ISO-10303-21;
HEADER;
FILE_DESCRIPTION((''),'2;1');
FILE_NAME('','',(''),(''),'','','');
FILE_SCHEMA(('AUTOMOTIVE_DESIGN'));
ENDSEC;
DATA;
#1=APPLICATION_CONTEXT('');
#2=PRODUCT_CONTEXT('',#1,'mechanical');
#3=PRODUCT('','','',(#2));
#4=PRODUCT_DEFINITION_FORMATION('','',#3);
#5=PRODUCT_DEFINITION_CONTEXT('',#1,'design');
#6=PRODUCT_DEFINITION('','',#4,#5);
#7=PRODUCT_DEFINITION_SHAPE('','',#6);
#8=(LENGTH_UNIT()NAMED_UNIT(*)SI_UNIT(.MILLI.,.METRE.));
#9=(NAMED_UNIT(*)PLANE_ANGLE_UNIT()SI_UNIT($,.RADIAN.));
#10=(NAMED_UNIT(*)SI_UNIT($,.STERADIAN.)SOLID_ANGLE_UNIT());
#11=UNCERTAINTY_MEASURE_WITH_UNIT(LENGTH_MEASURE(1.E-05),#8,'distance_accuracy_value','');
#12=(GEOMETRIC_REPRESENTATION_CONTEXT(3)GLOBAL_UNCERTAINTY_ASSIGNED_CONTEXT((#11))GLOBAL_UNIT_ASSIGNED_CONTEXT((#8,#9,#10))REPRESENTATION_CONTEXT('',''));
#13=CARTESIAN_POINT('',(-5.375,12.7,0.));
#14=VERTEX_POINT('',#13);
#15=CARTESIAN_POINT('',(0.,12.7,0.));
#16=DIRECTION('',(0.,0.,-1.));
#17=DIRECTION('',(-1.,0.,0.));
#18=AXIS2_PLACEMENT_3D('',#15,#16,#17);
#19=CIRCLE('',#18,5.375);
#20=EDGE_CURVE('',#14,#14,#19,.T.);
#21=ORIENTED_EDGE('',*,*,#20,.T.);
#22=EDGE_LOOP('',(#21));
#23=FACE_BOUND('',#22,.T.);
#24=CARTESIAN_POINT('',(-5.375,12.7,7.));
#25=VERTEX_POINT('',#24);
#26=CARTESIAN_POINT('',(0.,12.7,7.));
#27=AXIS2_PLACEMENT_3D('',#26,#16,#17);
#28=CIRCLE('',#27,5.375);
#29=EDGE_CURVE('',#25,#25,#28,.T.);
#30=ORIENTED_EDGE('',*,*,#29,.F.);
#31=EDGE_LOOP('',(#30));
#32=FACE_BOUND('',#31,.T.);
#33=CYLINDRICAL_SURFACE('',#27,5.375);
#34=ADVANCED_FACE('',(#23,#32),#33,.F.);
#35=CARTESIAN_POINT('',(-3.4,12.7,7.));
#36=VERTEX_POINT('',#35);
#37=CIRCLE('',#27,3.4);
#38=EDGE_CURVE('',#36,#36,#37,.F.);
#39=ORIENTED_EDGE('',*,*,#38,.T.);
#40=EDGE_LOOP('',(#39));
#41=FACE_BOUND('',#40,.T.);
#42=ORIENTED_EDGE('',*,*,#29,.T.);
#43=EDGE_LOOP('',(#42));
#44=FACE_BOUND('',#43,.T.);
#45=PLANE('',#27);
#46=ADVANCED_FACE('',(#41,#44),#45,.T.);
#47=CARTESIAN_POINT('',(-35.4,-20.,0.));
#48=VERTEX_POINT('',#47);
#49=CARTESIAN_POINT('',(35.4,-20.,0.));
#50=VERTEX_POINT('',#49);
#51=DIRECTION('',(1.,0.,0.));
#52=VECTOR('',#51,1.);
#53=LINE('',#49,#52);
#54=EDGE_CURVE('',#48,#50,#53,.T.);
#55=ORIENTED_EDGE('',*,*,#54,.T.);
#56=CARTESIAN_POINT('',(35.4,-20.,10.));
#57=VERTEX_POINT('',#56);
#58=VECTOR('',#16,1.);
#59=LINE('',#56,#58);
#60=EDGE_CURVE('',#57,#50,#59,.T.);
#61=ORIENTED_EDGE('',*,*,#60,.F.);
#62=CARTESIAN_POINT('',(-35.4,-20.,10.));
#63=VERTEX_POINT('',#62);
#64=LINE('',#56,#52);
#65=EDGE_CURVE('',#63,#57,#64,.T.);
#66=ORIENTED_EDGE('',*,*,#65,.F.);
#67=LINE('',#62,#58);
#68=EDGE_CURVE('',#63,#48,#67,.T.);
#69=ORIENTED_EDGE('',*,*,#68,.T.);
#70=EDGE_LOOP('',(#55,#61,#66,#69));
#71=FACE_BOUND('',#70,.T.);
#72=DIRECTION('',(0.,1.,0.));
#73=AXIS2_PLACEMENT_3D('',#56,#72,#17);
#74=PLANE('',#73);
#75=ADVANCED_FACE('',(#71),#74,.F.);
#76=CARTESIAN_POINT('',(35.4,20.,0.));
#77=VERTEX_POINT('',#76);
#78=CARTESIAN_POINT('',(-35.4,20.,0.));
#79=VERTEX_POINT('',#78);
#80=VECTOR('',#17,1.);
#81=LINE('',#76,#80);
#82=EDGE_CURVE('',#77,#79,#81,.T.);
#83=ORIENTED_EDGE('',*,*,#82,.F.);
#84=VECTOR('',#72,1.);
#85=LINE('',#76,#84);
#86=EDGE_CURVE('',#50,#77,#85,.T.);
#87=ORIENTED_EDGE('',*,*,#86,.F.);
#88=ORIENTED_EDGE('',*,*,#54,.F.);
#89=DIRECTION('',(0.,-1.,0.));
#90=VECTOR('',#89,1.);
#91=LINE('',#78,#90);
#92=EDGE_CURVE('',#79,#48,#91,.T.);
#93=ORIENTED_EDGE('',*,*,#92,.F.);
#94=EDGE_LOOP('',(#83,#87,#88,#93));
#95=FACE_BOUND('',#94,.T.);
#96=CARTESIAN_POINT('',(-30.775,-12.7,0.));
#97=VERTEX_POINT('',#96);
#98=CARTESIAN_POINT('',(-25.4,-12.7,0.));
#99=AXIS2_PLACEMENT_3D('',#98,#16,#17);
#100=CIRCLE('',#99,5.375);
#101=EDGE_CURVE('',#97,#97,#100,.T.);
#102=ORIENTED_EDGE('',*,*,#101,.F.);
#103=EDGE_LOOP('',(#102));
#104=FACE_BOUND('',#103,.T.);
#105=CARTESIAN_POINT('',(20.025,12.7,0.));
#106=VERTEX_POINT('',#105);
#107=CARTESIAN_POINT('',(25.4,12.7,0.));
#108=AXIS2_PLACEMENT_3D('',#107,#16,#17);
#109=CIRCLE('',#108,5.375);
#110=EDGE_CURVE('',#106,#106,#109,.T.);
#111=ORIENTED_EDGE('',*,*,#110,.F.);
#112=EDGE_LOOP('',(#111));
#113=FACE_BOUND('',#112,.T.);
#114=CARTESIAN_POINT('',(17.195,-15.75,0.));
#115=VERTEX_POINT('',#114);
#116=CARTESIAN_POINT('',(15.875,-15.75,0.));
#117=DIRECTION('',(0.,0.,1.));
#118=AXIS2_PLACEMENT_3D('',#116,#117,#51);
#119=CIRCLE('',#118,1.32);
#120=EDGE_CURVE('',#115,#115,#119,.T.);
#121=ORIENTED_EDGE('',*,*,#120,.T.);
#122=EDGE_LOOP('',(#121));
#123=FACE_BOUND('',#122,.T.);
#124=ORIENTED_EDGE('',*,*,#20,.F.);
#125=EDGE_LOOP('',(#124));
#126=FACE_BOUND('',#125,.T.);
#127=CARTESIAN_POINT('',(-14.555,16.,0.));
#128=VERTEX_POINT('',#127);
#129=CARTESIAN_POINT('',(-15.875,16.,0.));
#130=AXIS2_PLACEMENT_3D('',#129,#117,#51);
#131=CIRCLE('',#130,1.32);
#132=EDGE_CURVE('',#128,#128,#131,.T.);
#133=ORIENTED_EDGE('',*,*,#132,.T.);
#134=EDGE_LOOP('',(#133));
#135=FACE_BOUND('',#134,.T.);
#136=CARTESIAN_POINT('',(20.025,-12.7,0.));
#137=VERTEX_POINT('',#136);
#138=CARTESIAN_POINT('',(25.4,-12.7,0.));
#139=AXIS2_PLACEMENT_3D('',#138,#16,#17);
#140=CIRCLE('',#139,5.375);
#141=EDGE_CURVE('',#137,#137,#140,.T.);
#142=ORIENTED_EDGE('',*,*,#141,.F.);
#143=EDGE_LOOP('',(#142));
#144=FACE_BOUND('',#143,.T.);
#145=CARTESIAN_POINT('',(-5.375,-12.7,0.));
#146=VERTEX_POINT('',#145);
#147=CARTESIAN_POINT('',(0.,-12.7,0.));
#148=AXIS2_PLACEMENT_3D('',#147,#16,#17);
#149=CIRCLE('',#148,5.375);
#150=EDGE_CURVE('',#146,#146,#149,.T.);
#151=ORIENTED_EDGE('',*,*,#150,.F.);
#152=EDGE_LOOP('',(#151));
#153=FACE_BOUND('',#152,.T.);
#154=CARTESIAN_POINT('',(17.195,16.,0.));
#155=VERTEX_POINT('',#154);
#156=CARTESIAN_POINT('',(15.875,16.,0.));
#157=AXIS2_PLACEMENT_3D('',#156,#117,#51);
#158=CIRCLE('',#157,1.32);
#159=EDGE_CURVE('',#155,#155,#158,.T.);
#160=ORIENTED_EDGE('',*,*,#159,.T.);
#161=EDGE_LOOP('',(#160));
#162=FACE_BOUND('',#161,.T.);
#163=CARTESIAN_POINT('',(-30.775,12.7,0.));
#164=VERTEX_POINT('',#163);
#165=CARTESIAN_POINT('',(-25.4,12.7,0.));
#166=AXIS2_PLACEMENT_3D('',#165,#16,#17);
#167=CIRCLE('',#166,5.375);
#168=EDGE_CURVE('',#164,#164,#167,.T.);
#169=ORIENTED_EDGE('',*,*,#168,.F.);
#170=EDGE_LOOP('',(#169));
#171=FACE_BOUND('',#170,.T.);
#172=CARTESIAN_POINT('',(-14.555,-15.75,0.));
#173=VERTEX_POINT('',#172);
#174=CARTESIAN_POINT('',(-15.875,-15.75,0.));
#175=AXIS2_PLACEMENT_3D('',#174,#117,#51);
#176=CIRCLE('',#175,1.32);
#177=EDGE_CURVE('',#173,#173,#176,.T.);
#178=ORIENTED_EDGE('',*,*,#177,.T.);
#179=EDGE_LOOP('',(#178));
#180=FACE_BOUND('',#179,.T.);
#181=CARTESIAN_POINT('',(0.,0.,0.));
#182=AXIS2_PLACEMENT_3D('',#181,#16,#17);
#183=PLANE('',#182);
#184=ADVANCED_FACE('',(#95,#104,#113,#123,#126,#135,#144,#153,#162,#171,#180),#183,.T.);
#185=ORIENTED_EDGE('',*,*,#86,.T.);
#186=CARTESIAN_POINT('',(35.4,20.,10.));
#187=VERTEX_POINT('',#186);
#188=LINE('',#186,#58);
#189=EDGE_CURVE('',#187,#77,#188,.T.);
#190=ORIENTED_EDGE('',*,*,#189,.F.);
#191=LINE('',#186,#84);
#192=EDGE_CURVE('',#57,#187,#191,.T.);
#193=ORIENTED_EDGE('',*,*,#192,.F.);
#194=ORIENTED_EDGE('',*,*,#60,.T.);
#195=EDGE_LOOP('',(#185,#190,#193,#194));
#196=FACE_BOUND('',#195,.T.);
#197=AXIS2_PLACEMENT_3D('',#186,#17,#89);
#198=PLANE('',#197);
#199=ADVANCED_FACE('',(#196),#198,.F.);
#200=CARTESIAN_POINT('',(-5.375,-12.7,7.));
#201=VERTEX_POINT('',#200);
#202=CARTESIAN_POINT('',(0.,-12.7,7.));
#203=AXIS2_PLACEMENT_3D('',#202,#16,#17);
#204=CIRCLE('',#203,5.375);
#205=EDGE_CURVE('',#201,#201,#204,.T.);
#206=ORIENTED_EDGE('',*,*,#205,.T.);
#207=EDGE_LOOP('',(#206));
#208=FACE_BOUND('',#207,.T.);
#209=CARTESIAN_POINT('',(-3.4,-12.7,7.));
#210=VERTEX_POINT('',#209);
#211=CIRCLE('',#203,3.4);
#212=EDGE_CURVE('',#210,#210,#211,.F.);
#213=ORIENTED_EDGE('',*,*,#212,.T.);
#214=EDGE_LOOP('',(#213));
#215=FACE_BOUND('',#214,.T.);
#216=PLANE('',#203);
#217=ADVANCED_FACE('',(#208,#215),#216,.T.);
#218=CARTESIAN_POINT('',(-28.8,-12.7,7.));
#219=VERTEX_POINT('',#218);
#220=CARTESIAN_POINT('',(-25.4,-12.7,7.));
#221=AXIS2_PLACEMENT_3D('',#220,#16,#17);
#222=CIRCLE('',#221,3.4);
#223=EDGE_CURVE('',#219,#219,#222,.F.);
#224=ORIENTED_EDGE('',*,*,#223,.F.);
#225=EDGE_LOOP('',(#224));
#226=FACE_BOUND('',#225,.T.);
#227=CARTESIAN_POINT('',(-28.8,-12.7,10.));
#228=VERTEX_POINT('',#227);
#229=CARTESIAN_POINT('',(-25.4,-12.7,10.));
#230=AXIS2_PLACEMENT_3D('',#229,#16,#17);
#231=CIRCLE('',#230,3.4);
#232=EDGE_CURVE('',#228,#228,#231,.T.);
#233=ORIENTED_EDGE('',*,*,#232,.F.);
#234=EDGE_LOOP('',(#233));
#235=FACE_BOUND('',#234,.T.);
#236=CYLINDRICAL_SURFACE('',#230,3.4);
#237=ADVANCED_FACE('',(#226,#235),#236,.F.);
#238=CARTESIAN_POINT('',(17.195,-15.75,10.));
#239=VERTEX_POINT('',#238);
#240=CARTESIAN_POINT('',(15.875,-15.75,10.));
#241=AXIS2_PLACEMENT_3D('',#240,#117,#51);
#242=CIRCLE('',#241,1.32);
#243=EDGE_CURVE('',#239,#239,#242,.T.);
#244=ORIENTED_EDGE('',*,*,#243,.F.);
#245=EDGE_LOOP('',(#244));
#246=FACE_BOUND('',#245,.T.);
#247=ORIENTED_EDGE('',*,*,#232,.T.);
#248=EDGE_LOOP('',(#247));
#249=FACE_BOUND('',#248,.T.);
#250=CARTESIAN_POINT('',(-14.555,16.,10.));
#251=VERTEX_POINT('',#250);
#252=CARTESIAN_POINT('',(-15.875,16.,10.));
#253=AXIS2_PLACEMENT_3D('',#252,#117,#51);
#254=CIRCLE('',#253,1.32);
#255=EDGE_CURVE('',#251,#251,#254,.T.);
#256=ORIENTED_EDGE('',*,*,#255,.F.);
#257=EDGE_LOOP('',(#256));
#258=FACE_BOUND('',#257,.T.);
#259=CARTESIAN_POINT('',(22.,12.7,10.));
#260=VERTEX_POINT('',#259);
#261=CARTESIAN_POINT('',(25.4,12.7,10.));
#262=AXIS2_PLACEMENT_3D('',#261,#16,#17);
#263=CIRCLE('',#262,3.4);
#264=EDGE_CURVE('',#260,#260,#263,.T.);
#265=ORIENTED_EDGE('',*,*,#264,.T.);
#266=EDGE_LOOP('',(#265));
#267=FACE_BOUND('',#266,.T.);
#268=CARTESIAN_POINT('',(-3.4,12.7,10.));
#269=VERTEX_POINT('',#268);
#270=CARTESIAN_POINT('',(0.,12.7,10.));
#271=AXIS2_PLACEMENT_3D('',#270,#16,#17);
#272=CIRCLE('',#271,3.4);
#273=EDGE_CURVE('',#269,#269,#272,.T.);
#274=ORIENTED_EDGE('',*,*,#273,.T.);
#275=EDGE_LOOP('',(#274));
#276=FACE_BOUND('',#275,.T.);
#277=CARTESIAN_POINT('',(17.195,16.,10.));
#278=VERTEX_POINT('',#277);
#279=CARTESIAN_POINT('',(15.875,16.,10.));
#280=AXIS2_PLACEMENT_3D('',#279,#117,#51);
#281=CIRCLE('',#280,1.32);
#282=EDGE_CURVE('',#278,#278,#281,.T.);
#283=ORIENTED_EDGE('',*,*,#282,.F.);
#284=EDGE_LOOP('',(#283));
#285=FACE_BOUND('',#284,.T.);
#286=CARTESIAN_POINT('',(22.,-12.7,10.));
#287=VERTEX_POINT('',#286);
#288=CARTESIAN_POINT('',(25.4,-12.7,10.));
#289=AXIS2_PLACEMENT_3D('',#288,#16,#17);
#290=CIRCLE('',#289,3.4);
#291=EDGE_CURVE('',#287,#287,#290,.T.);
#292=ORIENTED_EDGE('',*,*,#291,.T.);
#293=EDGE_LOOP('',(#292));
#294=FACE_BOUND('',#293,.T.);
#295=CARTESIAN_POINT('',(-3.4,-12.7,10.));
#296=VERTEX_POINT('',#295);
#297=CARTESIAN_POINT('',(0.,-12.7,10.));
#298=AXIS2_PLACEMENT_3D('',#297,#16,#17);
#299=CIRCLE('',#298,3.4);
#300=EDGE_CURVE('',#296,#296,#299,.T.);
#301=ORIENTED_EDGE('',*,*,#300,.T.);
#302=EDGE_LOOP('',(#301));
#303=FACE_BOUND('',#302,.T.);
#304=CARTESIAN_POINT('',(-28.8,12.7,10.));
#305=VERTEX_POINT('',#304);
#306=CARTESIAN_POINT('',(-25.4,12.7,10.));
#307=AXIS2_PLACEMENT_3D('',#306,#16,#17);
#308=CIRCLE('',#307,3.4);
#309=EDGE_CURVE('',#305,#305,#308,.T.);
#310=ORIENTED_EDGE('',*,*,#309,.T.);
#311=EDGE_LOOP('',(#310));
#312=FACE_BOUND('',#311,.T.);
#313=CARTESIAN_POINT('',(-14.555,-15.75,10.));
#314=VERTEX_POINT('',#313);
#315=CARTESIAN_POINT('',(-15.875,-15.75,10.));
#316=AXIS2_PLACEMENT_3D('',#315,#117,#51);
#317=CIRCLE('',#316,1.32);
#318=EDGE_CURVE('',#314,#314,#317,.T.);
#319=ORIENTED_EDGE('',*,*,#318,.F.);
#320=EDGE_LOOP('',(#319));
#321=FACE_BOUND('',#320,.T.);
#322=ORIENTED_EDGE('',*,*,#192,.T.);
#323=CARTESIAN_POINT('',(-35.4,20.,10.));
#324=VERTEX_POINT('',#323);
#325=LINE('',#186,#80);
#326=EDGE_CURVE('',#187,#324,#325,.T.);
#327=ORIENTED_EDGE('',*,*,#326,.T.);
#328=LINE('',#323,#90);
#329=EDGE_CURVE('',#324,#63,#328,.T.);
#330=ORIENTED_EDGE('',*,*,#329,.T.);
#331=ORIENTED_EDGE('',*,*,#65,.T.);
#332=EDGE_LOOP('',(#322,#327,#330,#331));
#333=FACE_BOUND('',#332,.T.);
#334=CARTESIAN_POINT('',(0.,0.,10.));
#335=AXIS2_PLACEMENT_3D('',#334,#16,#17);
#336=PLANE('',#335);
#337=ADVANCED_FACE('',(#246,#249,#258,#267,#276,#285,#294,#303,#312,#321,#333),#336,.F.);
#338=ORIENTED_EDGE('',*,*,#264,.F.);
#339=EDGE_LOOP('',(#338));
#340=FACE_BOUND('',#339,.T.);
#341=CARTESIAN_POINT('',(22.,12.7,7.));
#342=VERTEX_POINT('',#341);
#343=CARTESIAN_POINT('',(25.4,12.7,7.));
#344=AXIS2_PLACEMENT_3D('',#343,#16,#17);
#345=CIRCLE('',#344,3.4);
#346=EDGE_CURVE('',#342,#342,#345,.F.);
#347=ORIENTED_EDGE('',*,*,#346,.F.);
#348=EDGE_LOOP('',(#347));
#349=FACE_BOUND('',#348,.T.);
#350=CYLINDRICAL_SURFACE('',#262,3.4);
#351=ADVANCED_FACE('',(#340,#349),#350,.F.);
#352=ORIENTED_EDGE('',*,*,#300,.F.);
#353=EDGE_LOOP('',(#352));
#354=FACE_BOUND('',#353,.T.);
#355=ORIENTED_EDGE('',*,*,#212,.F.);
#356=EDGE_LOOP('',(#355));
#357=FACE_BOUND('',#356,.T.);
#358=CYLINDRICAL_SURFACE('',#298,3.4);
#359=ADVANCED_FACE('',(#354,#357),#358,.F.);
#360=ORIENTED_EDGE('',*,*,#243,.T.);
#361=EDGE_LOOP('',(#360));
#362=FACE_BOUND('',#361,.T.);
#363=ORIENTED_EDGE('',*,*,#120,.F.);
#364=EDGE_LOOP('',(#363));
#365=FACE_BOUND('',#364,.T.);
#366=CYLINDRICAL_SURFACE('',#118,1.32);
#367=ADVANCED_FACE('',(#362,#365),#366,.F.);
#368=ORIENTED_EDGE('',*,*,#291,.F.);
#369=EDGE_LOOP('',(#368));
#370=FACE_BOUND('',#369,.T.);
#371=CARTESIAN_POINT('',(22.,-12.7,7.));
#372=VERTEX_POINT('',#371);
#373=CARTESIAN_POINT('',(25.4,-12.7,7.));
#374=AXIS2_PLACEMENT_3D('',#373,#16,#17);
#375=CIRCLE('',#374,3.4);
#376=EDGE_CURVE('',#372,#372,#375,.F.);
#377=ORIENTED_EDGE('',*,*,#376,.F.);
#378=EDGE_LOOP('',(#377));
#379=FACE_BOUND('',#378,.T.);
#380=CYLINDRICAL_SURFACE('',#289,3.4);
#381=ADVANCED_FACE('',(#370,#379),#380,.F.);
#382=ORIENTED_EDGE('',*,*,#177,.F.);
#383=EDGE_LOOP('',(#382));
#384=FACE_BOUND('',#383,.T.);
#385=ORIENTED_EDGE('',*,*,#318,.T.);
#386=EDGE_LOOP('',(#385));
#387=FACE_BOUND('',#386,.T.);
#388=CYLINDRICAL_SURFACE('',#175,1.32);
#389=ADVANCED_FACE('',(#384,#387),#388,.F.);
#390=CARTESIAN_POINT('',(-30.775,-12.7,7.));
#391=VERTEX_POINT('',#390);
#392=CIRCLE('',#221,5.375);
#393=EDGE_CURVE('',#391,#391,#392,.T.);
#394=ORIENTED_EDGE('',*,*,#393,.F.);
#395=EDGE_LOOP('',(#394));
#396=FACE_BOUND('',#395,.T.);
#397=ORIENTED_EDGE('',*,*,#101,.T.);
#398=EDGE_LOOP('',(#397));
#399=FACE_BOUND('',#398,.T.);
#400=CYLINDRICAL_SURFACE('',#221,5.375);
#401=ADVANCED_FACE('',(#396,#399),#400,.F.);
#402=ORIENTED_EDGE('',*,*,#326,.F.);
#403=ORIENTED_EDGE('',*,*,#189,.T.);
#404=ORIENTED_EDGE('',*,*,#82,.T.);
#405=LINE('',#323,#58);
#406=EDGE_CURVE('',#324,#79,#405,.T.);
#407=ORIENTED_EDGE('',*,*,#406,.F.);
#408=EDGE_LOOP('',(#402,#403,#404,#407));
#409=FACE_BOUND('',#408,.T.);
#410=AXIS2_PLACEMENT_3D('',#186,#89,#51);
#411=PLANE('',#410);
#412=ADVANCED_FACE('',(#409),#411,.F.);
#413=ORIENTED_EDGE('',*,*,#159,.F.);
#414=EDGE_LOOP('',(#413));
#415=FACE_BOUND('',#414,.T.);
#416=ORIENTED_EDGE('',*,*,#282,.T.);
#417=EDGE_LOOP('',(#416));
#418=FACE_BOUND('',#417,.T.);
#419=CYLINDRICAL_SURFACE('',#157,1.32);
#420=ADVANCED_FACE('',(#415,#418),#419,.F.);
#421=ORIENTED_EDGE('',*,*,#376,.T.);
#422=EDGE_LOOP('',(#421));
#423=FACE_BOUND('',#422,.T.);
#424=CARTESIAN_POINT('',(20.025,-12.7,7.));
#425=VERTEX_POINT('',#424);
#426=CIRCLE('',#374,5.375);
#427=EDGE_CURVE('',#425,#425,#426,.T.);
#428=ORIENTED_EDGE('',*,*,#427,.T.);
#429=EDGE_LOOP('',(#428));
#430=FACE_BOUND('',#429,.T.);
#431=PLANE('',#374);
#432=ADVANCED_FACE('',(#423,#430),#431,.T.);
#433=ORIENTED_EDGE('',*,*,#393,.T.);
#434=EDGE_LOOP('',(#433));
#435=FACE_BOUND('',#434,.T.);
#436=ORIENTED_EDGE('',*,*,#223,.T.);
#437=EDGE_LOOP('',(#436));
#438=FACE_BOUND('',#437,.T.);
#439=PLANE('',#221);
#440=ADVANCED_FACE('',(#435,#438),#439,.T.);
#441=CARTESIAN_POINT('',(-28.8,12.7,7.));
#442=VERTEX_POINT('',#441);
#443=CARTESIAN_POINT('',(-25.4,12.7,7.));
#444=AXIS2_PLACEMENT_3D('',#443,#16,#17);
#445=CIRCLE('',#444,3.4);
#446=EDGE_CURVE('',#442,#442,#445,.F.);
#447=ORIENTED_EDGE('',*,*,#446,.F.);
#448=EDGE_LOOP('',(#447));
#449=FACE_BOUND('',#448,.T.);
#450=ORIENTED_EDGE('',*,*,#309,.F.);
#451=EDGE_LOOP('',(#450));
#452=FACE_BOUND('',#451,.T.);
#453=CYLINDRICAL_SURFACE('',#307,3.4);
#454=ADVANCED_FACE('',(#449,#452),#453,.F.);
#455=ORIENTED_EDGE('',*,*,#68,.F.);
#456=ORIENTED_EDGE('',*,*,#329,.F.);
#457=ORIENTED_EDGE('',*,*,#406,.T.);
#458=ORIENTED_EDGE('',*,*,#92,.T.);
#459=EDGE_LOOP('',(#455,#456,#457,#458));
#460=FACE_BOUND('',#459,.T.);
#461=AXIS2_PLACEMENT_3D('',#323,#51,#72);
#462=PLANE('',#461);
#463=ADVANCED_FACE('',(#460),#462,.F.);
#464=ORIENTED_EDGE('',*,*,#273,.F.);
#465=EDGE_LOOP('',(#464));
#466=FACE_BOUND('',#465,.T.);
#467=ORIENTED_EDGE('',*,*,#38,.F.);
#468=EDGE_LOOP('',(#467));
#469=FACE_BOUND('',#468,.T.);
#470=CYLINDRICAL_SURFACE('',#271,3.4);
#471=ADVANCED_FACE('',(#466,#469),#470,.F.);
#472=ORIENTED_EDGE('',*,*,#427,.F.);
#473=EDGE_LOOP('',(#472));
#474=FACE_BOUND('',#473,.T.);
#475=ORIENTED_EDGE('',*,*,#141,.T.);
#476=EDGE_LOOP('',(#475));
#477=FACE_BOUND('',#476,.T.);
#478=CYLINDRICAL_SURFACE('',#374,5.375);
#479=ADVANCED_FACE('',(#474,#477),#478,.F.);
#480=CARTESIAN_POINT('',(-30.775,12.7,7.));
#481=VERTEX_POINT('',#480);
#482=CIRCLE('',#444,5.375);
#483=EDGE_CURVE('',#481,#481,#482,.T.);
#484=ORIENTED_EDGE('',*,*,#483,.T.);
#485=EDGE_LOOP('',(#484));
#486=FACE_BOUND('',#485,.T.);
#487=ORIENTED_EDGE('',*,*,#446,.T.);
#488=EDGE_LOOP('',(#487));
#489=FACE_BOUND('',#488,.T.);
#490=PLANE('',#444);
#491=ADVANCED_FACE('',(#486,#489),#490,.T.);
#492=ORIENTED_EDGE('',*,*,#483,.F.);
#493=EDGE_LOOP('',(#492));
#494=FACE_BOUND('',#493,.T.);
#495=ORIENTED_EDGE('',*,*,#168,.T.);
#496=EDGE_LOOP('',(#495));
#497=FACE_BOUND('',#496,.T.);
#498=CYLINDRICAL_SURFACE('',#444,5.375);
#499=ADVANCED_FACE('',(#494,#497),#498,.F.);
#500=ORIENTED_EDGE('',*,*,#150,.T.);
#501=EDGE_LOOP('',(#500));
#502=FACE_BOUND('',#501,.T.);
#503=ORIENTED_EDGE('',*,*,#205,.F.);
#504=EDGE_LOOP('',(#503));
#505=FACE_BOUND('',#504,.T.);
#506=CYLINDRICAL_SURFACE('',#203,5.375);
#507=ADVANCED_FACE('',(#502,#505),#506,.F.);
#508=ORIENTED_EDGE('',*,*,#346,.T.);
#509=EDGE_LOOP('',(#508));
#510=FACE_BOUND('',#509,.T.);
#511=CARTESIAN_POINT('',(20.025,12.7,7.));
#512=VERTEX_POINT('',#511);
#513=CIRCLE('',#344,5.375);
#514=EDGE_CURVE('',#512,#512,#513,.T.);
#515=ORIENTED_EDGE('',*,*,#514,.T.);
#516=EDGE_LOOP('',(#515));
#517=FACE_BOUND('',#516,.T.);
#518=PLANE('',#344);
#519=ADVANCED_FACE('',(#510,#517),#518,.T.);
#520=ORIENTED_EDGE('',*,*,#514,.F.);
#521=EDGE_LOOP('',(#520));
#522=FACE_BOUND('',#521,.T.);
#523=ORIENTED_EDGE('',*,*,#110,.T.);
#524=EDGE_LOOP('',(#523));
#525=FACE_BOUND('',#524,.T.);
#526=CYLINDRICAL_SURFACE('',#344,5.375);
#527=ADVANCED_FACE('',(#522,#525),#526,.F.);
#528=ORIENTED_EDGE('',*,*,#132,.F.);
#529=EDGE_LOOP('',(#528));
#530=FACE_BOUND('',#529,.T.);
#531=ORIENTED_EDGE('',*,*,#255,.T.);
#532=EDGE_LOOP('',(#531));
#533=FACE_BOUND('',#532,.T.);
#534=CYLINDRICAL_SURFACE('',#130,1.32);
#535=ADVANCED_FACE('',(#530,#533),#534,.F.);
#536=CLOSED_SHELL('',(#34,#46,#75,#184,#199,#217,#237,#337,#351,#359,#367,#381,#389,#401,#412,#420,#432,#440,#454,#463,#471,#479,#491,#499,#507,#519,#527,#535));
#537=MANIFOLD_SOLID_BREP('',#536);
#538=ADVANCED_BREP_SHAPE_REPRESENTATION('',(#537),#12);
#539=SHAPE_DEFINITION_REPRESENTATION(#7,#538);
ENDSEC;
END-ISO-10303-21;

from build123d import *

# Parameters (mm, degrees)
SKETCH1_W           = 70.8
SKETCH1_H           = 40
BOSS_EXTRUDE1_DEPTH = 10
SKETCH2_R           = 1.32
CUT_EXTRUDE1_DEPTH  = 11
SKETCH3_R           = 3.4
CUT_EXTRUDE2_DEPTH  = 11
SKETCH4_R           = 5.375
CUT_EXTRUDE3_DEPTH  = 7


with BuildPart() as part:
    # Sketch1 → Boss-Extrude1 (new body)
    with BuildSketch(Plane.XY):
        Rectangle(SKETCH1_W, SKETCH1_H)
    extrude(amount=BOSS_EXTRUDE1_DEPTH)

    # Sketch2 → Cut-Extrude1 (cut, through all)
    with BuildSketch(Plane.XY.offset(10)):
        with Locations((15.875, -15.75)):
            Circle(SKETCH2_R)
        with Locations((-15.875, -15.75)):
            Circle(SKETCH2_R)
        with Locations((-15.875, 16)):
            Circle(SKETCH2_R)
        with Locations((15.875, 16)):
            Circle(SKETCH2_R)
    extrude(amount=-CUT_EXTRUDE1_DEPTH, mode=Mode.SUBTRACT)

    # Sketch3 → Cut-Extrude2 (cut, through all)
    with BuildSketch(Plane(origin=(0, 0, 0), x_dir=(-1, 0, 0), z_dir=(0, 0, -1))):
        with Locations((-25.4, -12.7)):
            Circle(SKETCH3_R)
        with Locations((0, -12.7)):
            Circle(SKETCH3_R)
        with Locations((25.4, -12.7)):
            Circle(SKETCH3_R)
        with Locations((0, 12.7)):
            Circle(SKETCH3_R)
        with Locations((25.4, 12.7)):
            Circle(SKETCH3_R)
        with Locations((-25.4, 12.7)):
            Circle(SKETCH3_R)
    extrude(amount=-CUT_EXTRUDE2_DEPTH, mode=Mode.SUBTRACT)

    # Sketch4 → Cut-Extrude3 (cut)
    with BuildSketch(Plane(origin=(0, 0, 0), x_dir=(-1, 0, 0), z_dir=(0, 0, -1))):
        with Locations((25.4, -12.7)):
            Circle(SKETCH4_R)
        with Locations((0, -12.7)):
            Circle(SKETCH4_R)
        with Locations((-25.4, -12.7)):
            Circle(SKETCH4_R)
        with Locations((0, 12.7)):
            Circle(SKETCH4_R)
        with Locations((-25.4, 12.7)):
            Circle(SKETCH4_R)
        with Locations((25.4, 12.7)):
            Circle(SKETCH4_R)
    extrude(amount=-CUT_EXTRUDE3_DEPTH, mode=Mode.SUBTRACT)


solid = part.part
